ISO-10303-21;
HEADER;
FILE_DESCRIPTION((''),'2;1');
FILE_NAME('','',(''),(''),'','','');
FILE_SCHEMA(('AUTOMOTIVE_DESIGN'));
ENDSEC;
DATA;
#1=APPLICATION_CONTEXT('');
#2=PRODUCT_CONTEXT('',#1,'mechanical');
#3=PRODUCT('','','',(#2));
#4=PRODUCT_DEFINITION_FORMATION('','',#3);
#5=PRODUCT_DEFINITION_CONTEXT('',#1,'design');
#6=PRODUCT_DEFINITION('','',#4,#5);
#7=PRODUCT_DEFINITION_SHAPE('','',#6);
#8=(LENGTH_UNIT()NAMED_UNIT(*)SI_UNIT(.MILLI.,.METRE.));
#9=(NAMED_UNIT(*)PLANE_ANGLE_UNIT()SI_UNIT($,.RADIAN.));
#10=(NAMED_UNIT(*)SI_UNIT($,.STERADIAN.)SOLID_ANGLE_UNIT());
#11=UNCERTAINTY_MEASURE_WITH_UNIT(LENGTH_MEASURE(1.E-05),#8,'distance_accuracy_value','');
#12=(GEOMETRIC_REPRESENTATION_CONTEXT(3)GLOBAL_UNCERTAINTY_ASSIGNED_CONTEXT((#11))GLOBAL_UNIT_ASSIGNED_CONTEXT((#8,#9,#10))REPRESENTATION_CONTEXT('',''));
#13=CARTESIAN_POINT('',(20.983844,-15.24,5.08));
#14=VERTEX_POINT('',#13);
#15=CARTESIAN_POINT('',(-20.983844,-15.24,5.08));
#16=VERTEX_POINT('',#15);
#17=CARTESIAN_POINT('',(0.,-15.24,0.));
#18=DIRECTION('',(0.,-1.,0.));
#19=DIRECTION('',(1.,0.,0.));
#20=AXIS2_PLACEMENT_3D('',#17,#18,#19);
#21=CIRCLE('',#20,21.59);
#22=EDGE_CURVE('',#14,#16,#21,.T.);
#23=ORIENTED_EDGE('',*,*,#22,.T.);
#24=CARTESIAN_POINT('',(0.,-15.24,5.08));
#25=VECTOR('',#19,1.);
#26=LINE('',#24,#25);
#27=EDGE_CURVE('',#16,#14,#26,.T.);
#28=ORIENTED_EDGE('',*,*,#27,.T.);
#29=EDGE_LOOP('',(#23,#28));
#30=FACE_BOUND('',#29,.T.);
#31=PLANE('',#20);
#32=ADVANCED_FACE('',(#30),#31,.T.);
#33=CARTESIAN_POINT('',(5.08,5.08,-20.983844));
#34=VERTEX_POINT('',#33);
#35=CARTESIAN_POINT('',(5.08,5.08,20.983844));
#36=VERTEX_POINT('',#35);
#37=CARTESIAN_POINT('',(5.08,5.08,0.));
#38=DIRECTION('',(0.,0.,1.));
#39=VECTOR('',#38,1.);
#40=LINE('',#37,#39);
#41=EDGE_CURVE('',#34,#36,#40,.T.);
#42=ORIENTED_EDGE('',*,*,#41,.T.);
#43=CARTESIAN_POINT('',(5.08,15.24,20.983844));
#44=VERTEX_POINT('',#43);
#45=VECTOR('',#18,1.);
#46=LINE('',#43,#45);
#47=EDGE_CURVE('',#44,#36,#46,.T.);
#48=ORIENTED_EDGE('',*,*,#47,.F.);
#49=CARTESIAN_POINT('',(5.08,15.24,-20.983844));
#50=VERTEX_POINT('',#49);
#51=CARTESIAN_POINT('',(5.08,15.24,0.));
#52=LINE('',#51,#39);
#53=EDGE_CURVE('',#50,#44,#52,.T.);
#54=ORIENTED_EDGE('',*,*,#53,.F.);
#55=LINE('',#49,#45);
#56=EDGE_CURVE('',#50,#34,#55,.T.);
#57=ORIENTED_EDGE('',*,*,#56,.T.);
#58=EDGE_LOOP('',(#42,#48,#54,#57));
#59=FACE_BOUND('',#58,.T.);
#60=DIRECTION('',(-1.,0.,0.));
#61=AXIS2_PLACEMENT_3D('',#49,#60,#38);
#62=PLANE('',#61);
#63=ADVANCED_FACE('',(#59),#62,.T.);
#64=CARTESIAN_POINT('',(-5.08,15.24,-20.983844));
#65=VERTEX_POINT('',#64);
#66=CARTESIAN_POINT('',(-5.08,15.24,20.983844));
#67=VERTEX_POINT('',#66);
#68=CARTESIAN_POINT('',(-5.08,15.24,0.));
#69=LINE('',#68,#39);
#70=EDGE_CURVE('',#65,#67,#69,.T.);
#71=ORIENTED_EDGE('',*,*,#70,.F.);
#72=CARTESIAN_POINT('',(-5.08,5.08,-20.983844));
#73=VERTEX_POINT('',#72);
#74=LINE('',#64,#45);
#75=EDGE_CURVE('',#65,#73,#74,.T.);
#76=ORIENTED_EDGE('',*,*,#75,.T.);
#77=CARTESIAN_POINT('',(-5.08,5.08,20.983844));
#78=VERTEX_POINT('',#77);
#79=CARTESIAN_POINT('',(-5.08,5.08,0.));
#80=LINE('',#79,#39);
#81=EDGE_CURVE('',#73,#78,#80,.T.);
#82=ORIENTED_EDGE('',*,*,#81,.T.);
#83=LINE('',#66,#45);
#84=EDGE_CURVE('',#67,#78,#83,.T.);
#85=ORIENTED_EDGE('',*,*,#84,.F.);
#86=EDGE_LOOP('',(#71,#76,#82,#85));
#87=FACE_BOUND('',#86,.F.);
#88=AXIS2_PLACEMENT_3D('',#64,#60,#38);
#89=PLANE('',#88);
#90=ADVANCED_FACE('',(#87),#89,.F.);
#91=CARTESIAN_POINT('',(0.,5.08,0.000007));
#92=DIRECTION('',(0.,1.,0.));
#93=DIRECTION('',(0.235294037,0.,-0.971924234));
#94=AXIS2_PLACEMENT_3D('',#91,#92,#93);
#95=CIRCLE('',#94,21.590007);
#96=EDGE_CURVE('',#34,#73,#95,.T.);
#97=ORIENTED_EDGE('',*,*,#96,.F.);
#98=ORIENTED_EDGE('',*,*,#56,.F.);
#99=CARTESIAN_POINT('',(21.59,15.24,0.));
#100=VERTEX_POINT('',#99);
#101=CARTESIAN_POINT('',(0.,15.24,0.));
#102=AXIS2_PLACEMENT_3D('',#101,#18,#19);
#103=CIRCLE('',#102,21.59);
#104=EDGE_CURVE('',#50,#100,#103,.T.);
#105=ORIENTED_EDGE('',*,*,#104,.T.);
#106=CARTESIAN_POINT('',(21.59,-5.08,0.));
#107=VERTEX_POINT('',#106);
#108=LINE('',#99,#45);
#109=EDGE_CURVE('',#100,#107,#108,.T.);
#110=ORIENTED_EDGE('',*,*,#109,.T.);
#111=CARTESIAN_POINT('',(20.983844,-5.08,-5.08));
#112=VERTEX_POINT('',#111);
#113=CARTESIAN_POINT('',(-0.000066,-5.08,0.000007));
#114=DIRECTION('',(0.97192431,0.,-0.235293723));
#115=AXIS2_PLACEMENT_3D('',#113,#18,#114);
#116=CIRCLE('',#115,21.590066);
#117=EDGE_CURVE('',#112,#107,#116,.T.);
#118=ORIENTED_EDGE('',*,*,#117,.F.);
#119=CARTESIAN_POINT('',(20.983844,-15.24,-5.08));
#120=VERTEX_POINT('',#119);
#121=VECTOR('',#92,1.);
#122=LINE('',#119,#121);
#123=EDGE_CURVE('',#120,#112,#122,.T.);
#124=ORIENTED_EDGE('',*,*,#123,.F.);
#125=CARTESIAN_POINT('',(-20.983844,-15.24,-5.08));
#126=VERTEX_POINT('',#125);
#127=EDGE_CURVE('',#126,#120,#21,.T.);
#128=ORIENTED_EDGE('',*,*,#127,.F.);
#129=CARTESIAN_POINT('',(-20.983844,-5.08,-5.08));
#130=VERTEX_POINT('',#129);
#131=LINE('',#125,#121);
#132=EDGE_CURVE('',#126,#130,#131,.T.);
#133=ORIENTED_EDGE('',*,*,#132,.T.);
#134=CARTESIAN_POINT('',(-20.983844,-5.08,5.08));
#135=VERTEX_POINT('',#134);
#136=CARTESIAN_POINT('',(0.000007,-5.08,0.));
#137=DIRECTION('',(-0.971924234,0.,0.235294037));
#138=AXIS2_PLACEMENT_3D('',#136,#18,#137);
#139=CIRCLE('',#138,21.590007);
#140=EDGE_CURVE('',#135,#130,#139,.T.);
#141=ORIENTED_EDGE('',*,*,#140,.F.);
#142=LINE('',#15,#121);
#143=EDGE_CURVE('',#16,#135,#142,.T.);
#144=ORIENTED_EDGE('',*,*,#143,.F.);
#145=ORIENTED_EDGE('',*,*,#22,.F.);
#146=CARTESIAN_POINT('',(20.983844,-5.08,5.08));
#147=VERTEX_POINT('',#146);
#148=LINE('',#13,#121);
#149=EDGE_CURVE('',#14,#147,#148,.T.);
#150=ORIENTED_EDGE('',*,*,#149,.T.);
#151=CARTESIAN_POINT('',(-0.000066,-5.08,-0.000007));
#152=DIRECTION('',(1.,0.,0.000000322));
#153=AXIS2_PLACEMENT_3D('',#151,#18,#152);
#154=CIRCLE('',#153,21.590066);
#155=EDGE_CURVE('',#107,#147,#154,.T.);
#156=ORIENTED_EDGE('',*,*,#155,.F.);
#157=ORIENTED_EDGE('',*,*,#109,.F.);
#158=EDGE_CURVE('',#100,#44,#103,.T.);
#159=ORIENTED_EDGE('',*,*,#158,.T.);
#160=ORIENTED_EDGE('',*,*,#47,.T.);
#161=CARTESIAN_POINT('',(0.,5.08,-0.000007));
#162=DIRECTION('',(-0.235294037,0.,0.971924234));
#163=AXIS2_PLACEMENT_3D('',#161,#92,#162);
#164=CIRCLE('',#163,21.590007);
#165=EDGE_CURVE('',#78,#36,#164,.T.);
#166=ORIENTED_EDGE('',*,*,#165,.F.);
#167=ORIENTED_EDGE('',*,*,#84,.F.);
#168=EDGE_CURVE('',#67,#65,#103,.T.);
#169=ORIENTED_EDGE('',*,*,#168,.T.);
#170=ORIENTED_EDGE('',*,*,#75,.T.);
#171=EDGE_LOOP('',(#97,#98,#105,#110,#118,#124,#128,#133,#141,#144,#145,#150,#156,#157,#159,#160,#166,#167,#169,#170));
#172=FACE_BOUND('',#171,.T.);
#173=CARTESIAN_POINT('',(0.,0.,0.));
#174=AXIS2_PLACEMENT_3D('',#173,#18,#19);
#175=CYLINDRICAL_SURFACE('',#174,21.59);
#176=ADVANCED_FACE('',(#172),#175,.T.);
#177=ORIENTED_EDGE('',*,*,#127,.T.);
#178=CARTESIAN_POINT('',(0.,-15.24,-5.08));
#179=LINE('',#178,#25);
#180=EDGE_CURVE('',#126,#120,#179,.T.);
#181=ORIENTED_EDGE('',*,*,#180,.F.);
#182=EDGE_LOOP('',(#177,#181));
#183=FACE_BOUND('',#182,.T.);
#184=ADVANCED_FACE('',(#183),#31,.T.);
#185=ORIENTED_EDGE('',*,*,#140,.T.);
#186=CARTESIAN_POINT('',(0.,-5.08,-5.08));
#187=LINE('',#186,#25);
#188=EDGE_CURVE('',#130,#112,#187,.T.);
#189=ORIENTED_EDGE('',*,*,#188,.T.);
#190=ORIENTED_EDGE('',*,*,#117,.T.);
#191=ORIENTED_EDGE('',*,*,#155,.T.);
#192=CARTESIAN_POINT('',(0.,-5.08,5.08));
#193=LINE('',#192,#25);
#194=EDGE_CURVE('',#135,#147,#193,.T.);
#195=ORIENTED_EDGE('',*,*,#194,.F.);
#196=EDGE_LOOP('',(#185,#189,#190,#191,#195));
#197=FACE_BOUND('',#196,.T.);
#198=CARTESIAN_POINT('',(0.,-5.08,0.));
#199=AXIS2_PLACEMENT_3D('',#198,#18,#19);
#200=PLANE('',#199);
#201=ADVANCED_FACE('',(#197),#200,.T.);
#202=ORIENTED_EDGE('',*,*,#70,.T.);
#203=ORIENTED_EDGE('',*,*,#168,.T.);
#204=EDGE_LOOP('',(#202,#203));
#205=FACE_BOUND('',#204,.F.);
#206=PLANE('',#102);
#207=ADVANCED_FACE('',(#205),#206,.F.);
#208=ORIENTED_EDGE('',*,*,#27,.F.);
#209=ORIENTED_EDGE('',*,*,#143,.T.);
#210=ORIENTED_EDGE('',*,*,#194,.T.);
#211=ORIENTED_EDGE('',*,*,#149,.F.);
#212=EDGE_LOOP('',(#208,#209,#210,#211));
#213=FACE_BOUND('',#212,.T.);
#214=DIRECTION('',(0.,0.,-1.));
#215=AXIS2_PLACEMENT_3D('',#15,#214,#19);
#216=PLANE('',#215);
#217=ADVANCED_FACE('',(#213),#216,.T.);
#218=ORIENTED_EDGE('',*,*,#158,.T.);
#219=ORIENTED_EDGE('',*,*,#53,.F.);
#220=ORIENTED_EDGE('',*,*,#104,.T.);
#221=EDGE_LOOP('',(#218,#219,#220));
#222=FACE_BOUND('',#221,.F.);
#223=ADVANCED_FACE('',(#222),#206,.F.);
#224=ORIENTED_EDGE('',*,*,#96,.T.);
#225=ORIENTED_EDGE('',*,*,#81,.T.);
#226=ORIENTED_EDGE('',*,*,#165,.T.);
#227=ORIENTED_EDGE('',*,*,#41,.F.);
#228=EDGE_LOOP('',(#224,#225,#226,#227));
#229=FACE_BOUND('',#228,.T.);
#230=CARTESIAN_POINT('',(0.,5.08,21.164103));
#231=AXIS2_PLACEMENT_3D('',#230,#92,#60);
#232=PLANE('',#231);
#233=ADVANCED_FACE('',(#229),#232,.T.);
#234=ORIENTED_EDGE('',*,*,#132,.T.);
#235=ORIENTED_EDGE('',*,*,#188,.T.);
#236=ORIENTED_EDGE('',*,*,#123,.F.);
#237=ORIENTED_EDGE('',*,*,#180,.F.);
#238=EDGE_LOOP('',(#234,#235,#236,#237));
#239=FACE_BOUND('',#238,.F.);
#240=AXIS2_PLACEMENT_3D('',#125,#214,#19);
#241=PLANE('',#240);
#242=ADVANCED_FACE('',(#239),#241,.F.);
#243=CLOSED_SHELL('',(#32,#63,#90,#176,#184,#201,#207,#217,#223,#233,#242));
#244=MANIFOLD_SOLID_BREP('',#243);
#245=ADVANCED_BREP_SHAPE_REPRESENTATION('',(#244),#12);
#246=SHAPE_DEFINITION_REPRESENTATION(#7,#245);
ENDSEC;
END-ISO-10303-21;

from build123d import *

# Parameters (mm, degrees)
F0_R     = 21.59
F1_DEPTH = 15.24
F2_W     = 41.967688
F2_H     = 10.16
F3_DEPTH = 10.16
F4_W     = 10.16
F4_H     = 41.967688
F5_DEPTH = 10.16


with BuildPart() as f1:
    # F0 (on Front) → F1 (new body, symmetric)
    with BuildSketch(Plane.XZ):
        Circle(F0_R)
    extrude(amount=F1_DEPTH, both=True)

    # F2 (on face) → F3 (cut)
    with BuildSketch(Plane.XZ.offset(15.24)):
        Rectangle(F2_W, F2_H)
        with BuildLine():
            ThreePointArc((-20.983844, 5.08), (-21.59, 0), (-20.983844, -5.08))
            Line((-20.983844, -5.08), (-20.983844, 5.08))
        make_face()
        with BuildLine():
            Line((20.983844, 5.08), (20.983844, -5.08))
            ThreePointArc((20.983844, -5.08), (21.437925, -2.558018), (21.59, 0))
            ThreePointArc((21.59, 0), (21.437925, 2.558018), (20.983844, 5.08))
        make_face()
    extrude(amount=-F3_DEPTH, mode=Mode.SUBTRACT)

    # F4 (on face) → F5 (cut)
    with BuildSketch(Plane(origin=(0, 15.24, 0), x_dir=(-1, 0, 0), z_dir=(0, 1, 0))):
        with BuildLine():
            ThreePointArc((5.08, 20.983844), (0, 21.59), (-5.08, 20.983844))
            Line((-5.08, 20.983844), (5.08, 20.983844))
        make_face()
        Rectangle(F4_W, F4_H)
        with BuildLine():
            Line((5.08, -20.983844), (-5.08, -20.983844))
            ThreePointArc((-5.08, -20.983844), (0, -21.59), (5.08, -20.983844))
        make_face()
    extrude(amount=-F5_DEPTH, mode=Mode.SUBTRACT)


solid = f1.part
